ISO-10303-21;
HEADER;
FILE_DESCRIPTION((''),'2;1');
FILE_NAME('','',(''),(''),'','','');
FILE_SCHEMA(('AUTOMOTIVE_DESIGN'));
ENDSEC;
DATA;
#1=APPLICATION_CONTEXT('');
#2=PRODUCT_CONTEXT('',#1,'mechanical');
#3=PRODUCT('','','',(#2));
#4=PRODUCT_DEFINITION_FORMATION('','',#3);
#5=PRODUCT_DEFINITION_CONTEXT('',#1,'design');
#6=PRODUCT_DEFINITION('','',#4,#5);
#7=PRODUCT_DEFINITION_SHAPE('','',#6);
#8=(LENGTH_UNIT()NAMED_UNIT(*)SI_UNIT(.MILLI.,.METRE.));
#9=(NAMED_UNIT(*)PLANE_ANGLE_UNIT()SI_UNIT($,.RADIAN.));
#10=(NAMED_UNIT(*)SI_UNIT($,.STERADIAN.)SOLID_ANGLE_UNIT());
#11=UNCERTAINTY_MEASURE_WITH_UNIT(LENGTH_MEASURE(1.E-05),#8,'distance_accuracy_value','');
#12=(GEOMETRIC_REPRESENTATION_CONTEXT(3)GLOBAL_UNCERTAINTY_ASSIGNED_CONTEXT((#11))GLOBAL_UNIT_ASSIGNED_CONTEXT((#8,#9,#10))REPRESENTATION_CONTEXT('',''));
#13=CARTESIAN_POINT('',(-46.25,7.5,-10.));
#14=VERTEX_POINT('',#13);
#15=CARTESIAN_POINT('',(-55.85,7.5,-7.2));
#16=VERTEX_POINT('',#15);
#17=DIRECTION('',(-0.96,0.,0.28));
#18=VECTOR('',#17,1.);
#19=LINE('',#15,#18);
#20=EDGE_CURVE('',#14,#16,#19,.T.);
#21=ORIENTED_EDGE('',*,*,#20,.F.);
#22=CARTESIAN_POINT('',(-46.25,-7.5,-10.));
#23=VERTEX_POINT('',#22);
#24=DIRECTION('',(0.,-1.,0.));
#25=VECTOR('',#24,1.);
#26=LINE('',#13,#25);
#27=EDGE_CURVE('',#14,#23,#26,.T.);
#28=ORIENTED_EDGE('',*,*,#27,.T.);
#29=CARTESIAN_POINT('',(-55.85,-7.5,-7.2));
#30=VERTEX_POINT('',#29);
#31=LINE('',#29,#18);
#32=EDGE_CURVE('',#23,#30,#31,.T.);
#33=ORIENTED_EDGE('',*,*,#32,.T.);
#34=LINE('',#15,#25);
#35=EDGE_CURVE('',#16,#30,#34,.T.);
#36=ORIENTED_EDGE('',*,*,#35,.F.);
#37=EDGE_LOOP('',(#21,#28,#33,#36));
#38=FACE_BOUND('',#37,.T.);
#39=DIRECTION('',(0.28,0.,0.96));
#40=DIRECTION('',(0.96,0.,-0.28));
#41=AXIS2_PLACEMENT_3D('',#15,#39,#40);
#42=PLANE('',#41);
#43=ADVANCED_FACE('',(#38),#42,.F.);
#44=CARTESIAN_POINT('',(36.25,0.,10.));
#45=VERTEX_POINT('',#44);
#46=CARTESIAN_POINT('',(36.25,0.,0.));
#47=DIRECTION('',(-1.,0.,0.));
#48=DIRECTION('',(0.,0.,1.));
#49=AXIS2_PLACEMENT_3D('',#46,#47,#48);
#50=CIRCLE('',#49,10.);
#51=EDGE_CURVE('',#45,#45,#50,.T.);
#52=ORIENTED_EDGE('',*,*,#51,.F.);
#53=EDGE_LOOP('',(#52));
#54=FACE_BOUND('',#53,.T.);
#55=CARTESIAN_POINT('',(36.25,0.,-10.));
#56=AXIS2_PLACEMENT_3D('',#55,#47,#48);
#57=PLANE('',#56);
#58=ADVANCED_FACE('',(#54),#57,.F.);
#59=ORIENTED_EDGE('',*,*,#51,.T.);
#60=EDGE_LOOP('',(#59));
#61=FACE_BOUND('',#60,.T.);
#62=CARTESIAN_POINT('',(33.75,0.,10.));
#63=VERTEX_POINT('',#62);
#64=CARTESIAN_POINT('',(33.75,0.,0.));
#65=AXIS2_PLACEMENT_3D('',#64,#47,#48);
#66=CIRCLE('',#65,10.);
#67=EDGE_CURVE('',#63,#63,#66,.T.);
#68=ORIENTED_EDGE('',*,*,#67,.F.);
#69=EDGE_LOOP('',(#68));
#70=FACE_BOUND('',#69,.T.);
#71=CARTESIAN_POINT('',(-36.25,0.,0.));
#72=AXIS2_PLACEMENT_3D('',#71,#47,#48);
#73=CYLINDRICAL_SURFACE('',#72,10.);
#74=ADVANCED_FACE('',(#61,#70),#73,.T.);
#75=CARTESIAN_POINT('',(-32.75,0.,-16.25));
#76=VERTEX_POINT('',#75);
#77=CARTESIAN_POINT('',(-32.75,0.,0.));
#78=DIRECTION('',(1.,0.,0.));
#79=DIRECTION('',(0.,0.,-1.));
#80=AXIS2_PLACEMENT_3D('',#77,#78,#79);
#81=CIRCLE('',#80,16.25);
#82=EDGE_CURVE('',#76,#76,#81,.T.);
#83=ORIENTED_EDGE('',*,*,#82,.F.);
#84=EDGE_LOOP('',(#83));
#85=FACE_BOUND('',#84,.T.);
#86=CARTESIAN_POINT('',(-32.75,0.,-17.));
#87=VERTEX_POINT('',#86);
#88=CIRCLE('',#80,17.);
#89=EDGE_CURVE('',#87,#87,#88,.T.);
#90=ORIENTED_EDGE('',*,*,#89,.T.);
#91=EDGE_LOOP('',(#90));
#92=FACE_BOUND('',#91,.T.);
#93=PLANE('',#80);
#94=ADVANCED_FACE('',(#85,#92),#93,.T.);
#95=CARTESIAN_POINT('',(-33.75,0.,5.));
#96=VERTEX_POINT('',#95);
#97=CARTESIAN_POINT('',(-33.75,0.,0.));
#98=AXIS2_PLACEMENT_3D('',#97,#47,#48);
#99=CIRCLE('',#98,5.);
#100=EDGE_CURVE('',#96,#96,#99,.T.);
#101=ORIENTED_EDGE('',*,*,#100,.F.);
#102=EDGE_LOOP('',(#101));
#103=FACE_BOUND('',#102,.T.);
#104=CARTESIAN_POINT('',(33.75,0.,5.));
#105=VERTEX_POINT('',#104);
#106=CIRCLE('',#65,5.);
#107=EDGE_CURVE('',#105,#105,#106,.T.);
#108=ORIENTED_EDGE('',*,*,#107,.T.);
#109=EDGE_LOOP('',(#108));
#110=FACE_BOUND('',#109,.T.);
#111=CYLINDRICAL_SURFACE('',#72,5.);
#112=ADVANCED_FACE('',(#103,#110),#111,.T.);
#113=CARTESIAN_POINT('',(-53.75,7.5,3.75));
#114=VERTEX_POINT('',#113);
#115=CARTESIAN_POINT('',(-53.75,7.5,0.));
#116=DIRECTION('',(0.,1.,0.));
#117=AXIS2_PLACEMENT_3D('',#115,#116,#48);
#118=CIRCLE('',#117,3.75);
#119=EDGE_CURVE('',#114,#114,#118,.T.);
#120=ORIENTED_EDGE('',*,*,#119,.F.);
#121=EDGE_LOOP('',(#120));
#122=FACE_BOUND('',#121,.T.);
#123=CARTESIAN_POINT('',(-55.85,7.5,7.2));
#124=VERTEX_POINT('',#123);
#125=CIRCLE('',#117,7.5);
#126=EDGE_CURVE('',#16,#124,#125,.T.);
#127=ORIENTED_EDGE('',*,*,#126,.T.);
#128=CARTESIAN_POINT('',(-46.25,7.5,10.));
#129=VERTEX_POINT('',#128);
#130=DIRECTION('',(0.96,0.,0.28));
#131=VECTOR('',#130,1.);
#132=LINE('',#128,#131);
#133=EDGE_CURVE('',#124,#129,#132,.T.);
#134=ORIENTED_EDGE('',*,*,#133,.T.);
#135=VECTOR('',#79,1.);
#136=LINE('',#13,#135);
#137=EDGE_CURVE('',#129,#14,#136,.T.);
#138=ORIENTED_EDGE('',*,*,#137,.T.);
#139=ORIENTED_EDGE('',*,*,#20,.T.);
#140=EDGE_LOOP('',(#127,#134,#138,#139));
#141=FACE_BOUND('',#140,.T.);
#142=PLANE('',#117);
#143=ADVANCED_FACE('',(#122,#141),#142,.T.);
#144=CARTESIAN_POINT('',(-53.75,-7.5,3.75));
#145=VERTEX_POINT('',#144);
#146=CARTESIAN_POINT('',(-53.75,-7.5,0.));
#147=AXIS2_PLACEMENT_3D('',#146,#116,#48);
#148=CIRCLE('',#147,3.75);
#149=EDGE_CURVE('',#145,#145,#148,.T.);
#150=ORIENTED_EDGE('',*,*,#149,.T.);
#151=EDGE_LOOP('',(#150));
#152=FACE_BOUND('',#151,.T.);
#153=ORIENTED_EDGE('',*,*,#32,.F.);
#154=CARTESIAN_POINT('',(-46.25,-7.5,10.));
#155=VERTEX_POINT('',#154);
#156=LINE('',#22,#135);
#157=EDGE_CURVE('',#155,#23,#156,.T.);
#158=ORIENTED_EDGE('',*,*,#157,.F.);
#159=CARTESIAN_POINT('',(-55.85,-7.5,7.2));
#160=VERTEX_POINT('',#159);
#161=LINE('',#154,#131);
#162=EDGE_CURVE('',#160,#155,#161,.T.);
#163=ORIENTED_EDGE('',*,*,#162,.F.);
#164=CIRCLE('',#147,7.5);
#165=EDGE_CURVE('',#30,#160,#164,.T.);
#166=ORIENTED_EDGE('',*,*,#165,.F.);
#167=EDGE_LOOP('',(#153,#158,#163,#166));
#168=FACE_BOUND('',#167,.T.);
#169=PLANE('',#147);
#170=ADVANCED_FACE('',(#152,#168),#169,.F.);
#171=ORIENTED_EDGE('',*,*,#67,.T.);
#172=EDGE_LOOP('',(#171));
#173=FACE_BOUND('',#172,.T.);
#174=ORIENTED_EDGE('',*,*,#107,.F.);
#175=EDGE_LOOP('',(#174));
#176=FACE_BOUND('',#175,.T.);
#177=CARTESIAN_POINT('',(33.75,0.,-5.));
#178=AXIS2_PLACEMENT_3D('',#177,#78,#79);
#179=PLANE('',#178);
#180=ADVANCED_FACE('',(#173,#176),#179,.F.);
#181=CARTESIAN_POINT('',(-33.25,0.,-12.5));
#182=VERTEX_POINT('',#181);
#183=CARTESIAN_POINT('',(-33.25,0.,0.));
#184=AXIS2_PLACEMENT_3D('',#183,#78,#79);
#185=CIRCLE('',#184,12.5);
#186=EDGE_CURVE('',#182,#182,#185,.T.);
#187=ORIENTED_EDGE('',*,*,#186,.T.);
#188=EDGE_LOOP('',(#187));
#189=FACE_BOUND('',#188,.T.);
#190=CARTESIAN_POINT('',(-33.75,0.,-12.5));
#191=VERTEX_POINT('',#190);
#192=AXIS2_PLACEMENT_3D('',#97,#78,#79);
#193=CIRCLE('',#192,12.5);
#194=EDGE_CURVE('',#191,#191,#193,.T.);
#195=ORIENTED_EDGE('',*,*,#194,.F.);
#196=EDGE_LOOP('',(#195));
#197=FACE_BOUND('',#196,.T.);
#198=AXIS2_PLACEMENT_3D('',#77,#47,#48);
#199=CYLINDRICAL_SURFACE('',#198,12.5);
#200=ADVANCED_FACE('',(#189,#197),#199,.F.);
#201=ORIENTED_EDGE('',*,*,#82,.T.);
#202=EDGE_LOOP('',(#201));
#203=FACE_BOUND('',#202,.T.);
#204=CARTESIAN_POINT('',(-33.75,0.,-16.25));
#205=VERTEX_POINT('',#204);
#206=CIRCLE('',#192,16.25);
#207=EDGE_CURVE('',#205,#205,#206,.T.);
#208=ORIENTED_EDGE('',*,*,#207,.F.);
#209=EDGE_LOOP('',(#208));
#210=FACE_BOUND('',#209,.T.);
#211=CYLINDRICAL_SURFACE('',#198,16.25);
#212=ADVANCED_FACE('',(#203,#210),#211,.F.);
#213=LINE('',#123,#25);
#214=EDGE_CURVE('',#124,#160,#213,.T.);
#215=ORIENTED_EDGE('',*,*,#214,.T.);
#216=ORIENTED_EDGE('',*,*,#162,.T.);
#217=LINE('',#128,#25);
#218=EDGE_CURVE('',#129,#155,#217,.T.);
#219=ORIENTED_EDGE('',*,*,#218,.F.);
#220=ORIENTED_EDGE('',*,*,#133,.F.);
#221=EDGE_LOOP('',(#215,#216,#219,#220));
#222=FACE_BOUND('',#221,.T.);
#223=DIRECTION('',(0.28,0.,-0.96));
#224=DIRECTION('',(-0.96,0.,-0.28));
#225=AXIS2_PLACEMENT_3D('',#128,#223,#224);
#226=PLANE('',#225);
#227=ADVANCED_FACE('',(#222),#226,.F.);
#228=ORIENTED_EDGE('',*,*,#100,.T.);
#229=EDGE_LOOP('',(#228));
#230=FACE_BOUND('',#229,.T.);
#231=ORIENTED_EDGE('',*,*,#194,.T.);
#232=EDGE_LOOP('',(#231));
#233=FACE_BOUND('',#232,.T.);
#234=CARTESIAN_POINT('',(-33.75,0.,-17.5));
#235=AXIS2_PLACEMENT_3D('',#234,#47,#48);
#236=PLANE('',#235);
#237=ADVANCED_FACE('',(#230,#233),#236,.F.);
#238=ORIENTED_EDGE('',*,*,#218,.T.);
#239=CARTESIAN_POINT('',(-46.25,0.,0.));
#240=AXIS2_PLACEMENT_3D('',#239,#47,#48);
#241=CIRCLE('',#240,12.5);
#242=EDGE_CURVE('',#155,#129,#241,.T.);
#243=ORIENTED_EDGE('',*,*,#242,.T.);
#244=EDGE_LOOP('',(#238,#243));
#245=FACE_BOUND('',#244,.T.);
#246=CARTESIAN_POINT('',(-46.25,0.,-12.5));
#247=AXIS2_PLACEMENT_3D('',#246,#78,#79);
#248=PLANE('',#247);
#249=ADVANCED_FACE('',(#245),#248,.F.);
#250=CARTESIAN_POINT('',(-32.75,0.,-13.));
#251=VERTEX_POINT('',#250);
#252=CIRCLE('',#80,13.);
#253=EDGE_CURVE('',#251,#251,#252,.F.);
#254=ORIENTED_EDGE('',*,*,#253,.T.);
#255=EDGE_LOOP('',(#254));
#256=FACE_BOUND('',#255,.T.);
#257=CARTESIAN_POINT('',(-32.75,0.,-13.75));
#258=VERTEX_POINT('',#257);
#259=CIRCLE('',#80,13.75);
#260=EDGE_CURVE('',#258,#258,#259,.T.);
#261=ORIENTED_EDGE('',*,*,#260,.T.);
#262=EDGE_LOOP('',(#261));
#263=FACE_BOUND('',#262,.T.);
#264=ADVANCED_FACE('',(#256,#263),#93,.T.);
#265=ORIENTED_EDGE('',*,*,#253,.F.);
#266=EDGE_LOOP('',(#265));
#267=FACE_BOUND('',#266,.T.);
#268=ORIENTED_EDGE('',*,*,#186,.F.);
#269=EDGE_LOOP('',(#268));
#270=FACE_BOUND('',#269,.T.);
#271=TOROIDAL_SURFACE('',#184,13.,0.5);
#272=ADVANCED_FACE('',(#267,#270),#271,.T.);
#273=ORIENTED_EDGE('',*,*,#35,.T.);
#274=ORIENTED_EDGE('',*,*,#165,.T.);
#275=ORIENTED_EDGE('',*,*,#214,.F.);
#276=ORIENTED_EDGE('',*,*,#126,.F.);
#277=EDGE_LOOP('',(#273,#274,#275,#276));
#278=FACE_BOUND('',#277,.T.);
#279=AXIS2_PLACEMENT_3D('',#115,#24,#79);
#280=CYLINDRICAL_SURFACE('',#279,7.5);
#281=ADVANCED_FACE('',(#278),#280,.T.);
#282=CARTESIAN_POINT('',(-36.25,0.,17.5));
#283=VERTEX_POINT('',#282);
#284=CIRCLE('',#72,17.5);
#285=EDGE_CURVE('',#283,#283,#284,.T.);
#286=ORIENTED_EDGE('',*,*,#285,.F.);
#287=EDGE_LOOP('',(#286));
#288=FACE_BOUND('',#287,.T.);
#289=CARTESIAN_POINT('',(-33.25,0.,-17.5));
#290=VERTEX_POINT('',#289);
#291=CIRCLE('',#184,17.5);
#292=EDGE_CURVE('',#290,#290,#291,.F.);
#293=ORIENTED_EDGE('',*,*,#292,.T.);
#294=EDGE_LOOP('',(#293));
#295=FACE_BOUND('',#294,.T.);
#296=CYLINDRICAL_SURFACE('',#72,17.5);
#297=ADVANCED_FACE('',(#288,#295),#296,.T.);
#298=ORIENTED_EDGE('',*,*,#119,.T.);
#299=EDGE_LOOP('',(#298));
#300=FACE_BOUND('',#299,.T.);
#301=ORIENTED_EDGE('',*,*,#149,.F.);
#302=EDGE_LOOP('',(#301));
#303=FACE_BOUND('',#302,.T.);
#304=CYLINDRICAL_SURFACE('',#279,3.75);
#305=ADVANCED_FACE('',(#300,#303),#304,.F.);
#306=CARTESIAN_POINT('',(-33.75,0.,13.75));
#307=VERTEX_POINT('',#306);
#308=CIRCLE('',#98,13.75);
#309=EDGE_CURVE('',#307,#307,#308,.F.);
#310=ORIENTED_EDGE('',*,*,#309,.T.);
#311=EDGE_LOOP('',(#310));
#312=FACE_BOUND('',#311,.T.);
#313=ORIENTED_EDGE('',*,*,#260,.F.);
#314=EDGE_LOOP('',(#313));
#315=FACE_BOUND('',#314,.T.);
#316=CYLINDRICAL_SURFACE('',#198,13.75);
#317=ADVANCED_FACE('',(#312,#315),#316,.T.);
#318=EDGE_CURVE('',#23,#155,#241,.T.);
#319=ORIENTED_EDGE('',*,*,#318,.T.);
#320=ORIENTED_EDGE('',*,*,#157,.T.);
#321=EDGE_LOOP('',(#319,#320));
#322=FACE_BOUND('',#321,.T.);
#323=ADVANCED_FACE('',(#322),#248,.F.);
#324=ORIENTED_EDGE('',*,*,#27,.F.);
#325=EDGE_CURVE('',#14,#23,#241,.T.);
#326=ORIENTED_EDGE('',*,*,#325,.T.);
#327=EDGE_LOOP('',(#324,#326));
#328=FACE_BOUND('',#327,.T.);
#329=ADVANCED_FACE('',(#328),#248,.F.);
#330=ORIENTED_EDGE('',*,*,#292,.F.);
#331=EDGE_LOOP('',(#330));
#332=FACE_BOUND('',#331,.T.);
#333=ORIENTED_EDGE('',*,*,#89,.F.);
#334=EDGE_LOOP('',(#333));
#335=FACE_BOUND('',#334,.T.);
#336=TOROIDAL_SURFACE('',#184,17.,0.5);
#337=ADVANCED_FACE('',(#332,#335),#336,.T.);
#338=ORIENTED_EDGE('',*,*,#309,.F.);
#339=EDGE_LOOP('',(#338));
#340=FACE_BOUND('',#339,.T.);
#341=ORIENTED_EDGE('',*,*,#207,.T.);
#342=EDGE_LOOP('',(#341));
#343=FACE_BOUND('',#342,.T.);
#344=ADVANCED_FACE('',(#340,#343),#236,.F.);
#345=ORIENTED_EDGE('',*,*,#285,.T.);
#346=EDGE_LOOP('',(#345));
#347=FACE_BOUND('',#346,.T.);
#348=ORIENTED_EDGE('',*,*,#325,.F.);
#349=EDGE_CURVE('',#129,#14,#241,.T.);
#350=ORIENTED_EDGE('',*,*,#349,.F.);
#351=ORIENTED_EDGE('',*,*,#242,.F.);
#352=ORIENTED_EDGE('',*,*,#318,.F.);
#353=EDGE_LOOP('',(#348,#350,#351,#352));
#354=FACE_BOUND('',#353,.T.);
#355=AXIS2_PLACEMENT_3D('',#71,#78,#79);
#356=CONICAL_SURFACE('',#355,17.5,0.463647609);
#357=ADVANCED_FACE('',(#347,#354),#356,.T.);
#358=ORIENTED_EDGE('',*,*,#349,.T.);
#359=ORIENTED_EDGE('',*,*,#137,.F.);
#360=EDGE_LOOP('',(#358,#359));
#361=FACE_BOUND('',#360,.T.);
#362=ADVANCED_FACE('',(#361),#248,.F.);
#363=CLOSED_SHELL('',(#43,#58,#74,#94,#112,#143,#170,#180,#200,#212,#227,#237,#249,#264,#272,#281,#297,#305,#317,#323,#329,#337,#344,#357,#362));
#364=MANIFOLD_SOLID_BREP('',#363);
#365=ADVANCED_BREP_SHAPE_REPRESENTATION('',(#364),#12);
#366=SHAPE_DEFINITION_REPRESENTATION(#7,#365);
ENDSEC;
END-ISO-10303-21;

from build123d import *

# Parameters (mm, degrees)
BOSS_EXTRUDE1_START = 1
SKETCH2_R           = 17.5
SKETCH2_R_2         = 16.25
SKETCH2_R_3         = 13.75
SKETCH2_R_4         = 12.5
BOSS_EXTRUDE1_DEPTH = 1
FILLET1_R           = 0.5
SKETCH3_R           = 3.75
BOSS_EXTRUDE2_DEPTH = 7.5


with BuildPart() as part:
    # Sketch1 → Revolve1 (revolve)
    with BuildSketch(Plane(origin=(0, 0, 0), x_dir=(1, 0, 0), z_dir=(0, 1, 0)), mode=Mode.PRIVATE) as revolve1_sk:
        Polygon((-36.25, 17.5), (-33.75, 17.5), (-33.75, 5), (33.75, 5), (33.75, 10), (36.25, 10), (36.25, 0), (-36.25, 0), (-46.25, 0), (-46.25, 12.5), align=None)
    revolve(revolve1_sk.sketch.rotate(Axis((-36.25, 0, 0), (1, 0, 0)), 180), axis=Axis((-36.25, 0, 0), (1, 0, 0)))

    # Sketch2 → Boss-Extrude1 (add)
    # profile 1 of 2: a face of its own
    with BuildSketch(Plane(origin=(-33.75, 0, 0), x_dir=(0, 0, -1), z_dir=(1, 0, 0)).offset(BOSS_EXTRUDE1_START)):
        with Locations(Location((0, 0, 0), (0, 0, 180))):
            Circle(SKETCH2_R)
        Circle(SKETCH2_R_2, mode=Mode.SUBTRACT)
    # profile 2 of 2: a face of its own
    with BuildSketch(Plane(origin=(-33.75, 0, 0), x_dir=(0, 0, -1), z_dir=(1, 0, 0)).offset(BOSS_EXTRUDE1_START)):
        with Locations(Location((0, 0, 0), (0, 0, 180))):
            Circle(SKETCH2_R_3)
        Circle(SKETCH2_R_4, mode=Mode.SUBTRACT)
    extrude(amount=-BOSS_EXTRUDE1_DEPTH)

    # Fillet1
    fillet1_edges = [part.edges().sort_by_distance(p)[0] for p in [
        (-32.75, 0, -17.5),
        (-32.75, 0, 12.5),
    ]]
    fillet(fillet1_edges, radius=FILLET1_R)

    # Sketch3 → Boss-Extrude2 (add, symmetric)
    with BuildSketch(Plane(origin=(0, 0, 0), x_dir=(1, 0, 0), z_dir=(0, 1, 0))):
        with BuildLine():
            Line((-46.25, 10), (-46.25, -10))
            Line((-46.25, -10), (-55.85, -7.2))
            ThreePointArc((-55.85, -7.2), (-61.25, 0), (-55.85, 7.2))
            Line((-55.85, 7.2), (-46.25, 10))
        make_face()
        with Locations(Location((-53.75, 0, 0), (0, 0, 270))):
            Circle(SKETCH3_R, mode=Mode.SUBTRACT)
    extrude(amount=BOSS_EXTRUDE2_DEPTH, both=True)


solid = part.part
